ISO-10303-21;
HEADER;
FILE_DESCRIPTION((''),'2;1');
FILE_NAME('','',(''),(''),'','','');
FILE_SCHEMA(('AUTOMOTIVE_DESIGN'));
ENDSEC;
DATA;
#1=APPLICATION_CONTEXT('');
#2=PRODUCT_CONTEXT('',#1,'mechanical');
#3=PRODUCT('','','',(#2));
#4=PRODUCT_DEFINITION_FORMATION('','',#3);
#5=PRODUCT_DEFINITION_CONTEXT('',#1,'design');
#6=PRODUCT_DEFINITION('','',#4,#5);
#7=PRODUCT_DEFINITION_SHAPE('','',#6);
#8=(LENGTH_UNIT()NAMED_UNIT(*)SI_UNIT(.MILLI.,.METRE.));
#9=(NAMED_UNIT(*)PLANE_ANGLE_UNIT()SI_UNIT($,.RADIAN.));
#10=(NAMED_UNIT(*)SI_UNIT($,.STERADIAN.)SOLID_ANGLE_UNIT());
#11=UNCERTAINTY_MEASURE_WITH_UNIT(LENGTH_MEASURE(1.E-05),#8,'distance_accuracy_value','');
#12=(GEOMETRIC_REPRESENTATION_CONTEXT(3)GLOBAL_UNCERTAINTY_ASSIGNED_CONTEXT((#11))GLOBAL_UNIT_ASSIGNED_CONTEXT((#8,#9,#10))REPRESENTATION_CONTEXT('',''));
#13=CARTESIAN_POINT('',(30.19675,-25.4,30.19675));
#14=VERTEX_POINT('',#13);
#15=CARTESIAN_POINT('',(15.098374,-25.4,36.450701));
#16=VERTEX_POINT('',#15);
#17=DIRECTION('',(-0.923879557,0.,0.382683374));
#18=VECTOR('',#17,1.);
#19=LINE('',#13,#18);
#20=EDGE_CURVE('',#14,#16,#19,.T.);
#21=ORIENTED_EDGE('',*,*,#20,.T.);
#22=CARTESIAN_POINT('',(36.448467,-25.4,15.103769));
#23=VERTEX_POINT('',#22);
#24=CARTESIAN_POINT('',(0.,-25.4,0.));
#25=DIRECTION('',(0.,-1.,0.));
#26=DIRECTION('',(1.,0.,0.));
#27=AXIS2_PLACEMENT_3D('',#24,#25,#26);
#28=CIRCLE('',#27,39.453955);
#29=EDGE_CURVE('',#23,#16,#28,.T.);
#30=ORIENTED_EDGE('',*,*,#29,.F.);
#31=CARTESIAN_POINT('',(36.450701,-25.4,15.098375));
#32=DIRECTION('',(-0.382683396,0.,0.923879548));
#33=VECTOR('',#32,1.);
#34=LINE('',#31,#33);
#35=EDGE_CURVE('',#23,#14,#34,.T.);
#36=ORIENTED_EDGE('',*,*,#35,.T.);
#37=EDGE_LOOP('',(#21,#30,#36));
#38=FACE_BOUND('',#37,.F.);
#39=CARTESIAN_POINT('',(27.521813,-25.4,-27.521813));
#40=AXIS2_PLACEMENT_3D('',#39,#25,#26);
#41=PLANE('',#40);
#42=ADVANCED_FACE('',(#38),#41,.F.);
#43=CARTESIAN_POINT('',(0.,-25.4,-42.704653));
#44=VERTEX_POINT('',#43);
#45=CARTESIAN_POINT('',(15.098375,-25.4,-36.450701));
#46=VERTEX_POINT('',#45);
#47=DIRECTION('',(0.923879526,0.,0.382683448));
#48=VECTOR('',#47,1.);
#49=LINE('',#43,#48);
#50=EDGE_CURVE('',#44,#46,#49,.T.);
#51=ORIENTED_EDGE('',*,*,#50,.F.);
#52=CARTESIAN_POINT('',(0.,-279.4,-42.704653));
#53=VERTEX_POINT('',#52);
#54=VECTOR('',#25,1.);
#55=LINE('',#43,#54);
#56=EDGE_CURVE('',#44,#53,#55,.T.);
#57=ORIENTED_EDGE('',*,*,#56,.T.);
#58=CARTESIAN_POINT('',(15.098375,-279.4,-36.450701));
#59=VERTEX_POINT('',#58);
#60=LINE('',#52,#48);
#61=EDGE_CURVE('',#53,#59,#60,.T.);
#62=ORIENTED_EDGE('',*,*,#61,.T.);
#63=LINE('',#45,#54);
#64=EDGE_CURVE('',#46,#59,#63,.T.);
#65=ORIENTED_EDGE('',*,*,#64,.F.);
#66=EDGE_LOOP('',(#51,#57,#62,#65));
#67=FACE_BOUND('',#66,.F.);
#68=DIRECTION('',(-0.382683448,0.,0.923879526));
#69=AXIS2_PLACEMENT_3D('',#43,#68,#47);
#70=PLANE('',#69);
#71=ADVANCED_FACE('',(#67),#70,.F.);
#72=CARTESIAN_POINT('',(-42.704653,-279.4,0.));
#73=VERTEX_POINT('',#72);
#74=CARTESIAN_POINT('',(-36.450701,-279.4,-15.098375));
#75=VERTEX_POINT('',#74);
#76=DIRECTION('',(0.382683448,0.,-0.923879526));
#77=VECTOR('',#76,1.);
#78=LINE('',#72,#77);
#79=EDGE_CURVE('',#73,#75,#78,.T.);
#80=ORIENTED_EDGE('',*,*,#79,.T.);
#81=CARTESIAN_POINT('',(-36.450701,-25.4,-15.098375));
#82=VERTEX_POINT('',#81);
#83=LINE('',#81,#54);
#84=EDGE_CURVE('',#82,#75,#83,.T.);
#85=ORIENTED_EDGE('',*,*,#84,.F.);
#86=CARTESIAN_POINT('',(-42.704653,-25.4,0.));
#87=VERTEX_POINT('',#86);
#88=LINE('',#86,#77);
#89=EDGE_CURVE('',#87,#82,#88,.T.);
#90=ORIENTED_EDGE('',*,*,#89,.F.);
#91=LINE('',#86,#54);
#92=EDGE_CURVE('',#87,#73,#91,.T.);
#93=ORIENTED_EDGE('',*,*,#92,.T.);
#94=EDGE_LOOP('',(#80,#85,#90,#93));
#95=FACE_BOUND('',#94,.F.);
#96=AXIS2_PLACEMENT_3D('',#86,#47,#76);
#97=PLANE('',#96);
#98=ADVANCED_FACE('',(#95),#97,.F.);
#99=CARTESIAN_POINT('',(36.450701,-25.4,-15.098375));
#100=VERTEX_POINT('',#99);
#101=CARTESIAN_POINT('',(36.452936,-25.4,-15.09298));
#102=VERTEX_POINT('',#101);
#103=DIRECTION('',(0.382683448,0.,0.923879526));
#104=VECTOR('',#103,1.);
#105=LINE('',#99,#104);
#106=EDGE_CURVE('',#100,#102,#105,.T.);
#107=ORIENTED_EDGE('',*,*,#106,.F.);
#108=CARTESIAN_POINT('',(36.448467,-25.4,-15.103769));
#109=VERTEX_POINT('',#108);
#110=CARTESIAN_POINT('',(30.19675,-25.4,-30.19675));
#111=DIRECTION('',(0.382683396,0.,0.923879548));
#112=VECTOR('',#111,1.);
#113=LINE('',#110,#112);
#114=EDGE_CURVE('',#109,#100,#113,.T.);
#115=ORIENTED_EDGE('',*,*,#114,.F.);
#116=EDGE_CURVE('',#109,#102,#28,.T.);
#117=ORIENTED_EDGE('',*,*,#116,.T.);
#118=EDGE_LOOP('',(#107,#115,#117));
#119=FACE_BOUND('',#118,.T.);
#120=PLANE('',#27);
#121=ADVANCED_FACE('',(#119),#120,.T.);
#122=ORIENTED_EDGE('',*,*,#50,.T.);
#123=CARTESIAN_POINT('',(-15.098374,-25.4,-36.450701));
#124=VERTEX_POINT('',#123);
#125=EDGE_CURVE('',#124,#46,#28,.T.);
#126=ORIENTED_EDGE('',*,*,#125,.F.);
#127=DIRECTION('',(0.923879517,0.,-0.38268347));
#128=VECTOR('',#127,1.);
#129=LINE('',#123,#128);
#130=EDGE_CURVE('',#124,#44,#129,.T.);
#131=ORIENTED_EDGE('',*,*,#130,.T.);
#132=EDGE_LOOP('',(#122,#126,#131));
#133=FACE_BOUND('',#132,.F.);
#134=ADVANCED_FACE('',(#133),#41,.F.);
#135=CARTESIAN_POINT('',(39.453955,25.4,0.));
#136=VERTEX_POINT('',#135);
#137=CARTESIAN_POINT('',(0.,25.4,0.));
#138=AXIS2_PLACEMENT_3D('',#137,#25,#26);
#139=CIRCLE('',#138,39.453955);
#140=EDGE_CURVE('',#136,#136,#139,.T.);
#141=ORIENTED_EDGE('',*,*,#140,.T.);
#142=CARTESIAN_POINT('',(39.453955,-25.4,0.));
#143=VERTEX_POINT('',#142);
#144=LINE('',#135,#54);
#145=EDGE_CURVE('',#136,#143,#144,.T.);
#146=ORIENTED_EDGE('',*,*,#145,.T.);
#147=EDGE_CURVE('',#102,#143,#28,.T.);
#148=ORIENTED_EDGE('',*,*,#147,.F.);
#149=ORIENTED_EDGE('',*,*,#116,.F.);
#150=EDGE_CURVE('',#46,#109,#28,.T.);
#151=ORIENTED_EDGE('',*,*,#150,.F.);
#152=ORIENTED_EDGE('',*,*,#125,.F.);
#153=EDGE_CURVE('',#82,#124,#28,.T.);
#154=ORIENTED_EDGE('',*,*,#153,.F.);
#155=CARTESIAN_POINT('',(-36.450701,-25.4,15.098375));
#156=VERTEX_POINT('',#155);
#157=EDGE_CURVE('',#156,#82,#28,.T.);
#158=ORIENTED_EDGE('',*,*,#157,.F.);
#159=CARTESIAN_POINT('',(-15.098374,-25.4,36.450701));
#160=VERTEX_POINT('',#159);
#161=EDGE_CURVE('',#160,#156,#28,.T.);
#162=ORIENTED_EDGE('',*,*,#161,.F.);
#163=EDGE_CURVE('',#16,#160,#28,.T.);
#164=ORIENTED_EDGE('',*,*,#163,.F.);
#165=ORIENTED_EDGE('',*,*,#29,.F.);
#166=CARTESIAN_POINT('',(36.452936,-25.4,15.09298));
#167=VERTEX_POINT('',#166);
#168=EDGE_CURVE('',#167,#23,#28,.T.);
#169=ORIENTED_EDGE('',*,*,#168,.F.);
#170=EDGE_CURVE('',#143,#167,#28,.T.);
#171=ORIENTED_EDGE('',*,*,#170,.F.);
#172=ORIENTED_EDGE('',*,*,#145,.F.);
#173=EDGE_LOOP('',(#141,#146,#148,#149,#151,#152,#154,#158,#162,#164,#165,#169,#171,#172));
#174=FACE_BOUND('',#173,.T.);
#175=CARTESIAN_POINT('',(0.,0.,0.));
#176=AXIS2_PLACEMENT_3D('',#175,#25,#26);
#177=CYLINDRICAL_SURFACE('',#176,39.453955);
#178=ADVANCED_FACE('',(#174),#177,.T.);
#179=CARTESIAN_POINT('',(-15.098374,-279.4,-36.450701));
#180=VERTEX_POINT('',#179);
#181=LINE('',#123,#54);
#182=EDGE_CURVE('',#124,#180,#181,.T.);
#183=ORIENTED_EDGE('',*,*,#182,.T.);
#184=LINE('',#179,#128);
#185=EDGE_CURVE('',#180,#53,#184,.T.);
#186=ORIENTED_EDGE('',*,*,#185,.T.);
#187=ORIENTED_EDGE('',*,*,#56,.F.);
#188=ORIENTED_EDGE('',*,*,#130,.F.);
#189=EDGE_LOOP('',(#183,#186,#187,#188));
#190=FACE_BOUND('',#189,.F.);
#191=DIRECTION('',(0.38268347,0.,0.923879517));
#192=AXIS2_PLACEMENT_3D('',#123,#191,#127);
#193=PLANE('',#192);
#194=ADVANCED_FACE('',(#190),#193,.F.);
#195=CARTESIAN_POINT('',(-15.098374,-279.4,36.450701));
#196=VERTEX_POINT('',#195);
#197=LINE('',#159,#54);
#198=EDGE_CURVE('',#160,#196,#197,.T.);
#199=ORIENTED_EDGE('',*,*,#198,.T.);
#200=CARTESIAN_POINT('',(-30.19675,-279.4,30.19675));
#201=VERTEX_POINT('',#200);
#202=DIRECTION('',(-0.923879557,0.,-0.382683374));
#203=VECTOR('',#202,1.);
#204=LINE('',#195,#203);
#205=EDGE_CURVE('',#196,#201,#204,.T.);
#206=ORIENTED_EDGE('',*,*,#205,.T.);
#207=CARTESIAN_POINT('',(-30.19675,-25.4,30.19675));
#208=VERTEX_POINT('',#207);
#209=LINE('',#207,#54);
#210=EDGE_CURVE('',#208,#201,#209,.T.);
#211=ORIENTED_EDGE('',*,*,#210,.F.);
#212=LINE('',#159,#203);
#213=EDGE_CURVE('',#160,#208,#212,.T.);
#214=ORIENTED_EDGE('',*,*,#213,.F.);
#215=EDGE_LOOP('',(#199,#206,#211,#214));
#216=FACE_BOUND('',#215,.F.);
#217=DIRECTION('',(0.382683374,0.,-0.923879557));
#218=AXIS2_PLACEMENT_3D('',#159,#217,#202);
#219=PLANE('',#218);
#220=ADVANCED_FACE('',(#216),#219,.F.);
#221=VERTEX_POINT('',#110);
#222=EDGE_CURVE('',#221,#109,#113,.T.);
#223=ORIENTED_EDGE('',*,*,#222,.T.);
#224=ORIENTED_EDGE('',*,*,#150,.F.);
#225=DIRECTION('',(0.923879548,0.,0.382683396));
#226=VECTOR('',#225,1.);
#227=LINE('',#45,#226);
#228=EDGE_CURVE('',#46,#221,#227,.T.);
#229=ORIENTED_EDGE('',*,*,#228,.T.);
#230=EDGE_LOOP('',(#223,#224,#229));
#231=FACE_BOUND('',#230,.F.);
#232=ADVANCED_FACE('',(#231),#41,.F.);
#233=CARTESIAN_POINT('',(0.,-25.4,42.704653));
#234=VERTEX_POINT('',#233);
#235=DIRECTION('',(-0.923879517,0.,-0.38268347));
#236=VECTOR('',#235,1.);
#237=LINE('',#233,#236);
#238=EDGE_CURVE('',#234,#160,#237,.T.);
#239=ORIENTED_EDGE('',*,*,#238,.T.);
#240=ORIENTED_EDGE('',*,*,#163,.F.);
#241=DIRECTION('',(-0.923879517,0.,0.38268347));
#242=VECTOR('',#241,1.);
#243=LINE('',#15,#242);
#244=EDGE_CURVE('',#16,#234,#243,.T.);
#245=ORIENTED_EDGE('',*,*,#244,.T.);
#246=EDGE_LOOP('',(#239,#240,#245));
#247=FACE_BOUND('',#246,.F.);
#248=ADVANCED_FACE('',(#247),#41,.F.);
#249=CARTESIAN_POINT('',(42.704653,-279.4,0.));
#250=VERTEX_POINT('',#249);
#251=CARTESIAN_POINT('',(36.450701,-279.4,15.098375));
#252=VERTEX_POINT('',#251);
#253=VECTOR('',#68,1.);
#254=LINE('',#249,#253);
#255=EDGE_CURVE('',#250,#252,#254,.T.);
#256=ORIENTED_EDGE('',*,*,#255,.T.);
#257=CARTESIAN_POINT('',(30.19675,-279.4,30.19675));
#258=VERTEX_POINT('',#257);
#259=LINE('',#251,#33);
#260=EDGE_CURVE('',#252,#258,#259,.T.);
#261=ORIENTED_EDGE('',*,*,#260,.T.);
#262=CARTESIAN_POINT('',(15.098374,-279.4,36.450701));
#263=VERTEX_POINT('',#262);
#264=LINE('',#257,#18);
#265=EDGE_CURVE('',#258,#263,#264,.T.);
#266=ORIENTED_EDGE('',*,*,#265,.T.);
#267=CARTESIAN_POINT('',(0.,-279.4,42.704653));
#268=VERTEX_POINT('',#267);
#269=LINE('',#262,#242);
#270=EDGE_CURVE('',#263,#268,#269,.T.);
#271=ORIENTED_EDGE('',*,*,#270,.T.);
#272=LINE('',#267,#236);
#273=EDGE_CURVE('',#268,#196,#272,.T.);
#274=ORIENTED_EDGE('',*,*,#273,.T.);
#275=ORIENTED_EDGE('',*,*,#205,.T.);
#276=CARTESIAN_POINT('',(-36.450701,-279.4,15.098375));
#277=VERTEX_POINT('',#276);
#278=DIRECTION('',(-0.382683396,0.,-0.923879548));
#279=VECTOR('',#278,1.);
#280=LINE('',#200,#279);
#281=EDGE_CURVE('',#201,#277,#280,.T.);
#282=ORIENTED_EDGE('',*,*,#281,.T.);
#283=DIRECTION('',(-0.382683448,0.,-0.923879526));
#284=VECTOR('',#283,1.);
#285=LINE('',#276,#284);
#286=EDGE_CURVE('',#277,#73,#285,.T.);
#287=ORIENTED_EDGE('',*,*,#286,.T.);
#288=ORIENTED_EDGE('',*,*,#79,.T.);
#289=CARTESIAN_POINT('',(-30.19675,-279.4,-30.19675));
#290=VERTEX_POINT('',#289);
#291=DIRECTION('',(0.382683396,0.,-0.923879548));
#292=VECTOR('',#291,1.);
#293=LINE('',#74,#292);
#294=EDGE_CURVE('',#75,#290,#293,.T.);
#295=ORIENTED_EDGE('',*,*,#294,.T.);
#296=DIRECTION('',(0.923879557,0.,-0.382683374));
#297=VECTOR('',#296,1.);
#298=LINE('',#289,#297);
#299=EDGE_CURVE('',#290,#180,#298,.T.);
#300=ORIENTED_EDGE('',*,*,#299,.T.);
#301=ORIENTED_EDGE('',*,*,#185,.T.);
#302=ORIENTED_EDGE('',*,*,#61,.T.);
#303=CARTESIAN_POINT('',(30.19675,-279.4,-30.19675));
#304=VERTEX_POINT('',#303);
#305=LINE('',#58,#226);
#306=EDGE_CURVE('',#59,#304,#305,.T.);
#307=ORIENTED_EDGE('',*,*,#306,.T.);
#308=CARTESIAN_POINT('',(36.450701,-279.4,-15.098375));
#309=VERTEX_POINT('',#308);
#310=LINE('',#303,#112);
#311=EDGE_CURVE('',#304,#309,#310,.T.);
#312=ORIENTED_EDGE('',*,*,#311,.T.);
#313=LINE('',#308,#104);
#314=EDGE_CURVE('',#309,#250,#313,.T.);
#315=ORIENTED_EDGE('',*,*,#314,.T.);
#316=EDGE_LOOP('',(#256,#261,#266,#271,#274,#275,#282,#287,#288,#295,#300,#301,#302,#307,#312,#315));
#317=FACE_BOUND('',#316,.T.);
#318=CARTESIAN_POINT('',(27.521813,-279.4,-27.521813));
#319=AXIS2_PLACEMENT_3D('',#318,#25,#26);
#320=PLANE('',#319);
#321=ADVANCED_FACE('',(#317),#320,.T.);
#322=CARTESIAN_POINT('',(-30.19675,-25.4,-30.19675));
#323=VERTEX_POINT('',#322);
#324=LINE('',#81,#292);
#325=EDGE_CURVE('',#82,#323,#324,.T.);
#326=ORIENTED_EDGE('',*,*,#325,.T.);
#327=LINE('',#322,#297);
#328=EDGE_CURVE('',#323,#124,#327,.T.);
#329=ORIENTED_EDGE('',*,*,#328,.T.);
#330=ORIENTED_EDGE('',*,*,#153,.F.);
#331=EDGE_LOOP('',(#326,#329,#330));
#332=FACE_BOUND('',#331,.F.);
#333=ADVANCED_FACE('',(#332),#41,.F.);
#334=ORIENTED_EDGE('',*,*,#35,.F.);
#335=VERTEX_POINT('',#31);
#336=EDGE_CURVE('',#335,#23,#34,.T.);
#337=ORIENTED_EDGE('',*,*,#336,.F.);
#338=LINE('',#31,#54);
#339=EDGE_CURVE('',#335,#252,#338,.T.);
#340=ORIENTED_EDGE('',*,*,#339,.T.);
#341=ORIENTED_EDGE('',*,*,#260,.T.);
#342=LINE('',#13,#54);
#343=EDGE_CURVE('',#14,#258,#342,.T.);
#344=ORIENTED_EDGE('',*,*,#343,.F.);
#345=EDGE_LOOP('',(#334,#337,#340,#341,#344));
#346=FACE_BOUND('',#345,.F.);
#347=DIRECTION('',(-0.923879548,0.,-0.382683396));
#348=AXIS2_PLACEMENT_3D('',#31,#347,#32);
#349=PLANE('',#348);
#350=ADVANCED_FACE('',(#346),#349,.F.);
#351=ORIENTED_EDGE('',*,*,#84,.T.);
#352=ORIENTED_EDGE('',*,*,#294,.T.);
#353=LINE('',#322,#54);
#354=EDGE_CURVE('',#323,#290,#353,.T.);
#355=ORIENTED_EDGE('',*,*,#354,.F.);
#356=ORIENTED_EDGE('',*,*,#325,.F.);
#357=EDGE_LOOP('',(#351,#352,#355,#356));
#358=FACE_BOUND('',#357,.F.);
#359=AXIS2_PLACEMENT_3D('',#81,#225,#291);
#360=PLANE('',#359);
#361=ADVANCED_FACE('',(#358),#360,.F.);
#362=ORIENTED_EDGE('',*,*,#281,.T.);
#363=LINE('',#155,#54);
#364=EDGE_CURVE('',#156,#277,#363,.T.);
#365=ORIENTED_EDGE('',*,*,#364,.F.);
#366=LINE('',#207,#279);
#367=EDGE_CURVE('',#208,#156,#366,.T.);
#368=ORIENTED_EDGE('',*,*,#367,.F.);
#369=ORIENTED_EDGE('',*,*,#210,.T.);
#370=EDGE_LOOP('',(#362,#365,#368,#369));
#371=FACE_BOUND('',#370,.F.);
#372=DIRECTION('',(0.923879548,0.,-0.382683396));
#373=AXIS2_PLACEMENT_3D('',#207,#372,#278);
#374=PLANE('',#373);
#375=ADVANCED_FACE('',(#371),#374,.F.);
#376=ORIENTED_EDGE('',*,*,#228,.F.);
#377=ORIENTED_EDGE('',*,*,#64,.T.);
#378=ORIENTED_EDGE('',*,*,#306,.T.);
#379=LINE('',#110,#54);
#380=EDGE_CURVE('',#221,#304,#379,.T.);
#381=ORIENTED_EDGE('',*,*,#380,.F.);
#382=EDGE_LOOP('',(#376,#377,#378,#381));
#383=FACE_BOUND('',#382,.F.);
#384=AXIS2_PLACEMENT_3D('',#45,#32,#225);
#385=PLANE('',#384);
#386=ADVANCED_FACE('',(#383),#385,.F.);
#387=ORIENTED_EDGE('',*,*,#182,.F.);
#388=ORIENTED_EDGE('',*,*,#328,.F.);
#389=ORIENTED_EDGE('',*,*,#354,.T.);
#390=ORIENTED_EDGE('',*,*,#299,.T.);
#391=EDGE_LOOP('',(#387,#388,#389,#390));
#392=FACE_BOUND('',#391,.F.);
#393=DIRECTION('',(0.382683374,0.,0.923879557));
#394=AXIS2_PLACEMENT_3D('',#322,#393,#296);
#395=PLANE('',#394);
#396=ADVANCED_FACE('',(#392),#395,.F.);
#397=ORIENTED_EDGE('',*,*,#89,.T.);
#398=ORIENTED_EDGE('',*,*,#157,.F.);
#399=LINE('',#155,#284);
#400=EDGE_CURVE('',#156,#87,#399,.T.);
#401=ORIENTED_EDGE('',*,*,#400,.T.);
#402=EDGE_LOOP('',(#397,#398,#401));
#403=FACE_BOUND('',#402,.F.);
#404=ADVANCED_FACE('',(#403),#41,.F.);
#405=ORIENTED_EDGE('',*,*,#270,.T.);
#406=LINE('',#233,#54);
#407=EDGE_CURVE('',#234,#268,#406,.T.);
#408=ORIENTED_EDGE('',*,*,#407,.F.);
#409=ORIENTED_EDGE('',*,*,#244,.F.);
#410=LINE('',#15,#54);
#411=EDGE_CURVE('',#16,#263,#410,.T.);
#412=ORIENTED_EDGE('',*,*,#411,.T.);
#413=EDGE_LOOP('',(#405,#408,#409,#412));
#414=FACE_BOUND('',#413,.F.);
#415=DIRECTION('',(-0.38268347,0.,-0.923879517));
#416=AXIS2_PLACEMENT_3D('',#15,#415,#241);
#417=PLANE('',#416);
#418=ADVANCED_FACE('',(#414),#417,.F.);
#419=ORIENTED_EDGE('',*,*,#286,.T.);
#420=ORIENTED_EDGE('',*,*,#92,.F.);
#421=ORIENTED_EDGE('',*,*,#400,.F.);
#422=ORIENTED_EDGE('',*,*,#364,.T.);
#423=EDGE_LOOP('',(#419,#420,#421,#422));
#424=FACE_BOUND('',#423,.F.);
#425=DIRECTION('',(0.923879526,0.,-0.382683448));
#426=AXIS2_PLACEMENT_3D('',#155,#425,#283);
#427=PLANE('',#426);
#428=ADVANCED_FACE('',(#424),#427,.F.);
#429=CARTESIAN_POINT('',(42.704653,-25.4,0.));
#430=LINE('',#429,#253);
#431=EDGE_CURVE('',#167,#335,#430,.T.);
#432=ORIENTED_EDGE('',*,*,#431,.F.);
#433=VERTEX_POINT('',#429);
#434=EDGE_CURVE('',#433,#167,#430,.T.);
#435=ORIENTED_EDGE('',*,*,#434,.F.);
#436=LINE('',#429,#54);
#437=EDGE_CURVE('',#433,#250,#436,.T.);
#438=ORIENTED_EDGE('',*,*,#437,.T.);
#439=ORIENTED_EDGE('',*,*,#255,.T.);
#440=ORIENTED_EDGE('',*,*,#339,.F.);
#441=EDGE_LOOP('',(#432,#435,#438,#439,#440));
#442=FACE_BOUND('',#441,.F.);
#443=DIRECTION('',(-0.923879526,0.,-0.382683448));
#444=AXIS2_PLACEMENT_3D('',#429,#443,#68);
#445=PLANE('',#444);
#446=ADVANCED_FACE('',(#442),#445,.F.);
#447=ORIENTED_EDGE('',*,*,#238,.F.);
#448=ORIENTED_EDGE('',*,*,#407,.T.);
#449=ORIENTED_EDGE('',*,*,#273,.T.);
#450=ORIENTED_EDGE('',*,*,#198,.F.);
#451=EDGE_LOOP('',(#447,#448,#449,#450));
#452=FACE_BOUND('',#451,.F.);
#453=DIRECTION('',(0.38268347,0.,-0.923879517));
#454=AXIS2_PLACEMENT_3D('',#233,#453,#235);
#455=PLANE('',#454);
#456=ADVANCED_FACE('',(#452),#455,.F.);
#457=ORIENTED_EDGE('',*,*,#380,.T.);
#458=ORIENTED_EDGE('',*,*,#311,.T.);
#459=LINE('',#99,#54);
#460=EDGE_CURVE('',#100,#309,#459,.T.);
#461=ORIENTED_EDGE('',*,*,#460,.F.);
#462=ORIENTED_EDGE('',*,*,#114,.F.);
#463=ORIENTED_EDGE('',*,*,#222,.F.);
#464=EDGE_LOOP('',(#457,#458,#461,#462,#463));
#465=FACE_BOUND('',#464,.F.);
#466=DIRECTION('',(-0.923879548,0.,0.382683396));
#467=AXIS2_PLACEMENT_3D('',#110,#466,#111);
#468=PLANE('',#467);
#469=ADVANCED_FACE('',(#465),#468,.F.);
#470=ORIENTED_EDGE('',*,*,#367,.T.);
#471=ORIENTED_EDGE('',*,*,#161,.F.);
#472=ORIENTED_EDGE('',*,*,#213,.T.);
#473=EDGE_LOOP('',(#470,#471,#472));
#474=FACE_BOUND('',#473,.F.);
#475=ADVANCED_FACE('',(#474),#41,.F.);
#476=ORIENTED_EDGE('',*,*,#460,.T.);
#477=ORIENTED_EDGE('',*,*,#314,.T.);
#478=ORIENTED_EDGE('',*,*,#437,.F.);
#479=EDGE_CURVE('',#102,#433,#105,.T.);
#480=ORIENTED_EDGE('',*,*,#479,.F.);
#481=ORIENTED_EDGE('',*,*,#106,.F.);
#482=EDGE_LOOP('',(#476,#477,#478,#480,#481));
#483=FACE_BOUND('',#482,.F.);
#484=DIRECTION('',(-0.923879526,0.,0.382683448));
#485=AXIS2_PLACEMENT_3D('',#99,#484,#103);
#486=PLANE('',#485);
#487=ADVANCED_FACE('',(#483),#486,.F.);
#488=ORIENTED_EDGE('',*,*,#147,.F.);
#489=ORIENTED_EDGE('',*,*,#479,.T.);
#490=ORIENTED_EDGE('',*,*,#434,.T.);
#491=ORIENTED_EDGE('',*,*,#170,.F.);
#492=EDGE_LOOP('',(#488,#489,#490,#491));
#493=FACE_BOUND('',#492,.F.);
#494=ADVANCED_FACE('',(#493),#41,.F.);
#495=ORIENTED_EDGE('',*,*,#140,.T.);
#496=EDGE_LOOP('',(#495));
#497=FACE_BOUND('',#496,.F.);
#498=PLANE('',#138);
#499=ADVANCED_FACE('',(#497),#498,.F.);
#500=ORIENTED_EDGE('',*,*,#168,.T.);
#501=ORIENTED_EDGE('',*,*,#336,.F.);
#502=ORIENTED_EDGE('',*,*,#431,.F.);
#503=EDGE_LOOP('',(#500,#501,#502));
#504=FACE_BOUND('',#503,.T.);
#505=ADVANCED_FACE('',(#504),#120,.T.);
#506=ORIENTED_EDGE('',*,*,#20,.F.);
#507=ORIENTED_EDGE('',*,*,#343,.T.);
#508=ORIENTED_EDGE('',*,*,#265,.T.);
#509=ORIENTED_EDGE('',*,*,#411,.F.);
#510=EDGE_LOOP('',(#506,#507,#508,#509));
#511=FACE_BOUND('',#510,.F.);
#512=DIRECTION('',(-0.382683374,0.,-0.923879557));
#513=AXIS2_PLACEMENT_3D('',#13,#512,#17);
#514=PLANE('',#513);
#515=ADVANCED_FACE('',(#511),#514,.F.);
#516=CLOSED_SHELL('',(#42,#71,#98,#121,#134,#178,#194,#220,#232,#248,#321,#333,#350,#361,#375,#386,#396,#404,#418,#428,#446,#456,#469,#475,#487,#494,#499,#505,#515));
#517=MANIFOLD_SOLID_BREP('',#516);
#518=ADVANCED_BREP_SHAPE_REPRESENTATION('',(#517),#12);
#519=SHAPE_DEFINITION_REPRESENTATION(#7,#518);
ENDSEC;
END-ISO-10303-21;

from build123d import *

# Parameters (mm, degrees)
F0_R     = 39.453955
F1_DEPTH = 25.4
F3_DEPTH = 254


with BuildPart() as f1:
    # F0 (on Front) → F1 (new body, symmetric)
    with BuildSketch(Plane.XZ):
        Circle(F0_R)
    extrude(amount=F1_DEPTH, both=True)

    # F2 (on face) → F3 (join)
    with BuildSketch(Plane.XZ.offset(25.4)):
        with BuildLine():
            Line((15.098375, -36.450701), (30.19675, -30.19675))
            Line((30.19675, -30.19675), (36.450701, -15.098375))
            ThreePointArc((36.450701, -15.098375), (27.898159, -27.898159), (15.098375, -36.450701))
        make_face()
        with BuildLine():
            Line((0, -42.704653), (15.098375, -36.450701))
            ThreePointArc((15.098375, -36.450701), (0, -39.453955), (-15.098374, -36.450701))
            Line((-15.098374, -36.450701), (0, -42.704653))
        make_face()
        with BuildLine():
            Line((-30.19675, -30.19675), (-15.098374, -36.450701))
            ThreePointArc((-15.098374, -36.450701), (-27.898159, -27.898159), (-36.450701, -15.098375))
            Line((-36.450701, -15.098375), (-30.19675, -30.19675))
        make_face()
        with BuildLine():
            Line((-42.704653, 0), (-36.450701, -15.098375))
            ThreePointArc((-36.450701, -15.098375), (-39.453955, 0), (-36.450701, 15.098375))
            Line((-36.450701, 15.098375), (-42.704653, 0))
        make_face()
        with BuildLine():
            ThreePointArc((-15.098374, 36.450701), (0, 39.453955), (15.098374, 36.450701))
            Line((15.098374, 36.450701), (0, 42.704653))
            Line((0, 42.704653), (-15.098374, 36.450701))
        make_face()
        with BuildLine():
            ThreePointArc((15.098374, 36.450701), (27.898158, 27.898159), (36.450701, 15.098375))
            Line((36.450701, 15.098375), (30.19675, 30.19675))
            Line((30.19675, 30.19675), (15.098374, 36.450701))
        make_face()
        with BuildLine():
            ThreePointArc((39.453955, 0), (38.695858, -7.697085), (36.450701, -15.098375))
            Line((36.450701, -15.098375), (42.704653, 0))
            Line((42.704653, 0), (36.450701, 15.098375))
            ThreePointArc((36.450701, 15.098375), (38.695858, 7.697085), (39.453955, 0))
        make_face()
        with BuildLine():
            ThreePointArc((-15.098374, -36.450701), (0, -39.453955), (15.098375, -36.450701))
            ThreePointArc((15.098375, -36.450701), (27.898159, -27.898159), (36.450701, -15.098375))
            ThreePointArc((36.450701, -15.098375), (38.695858, -7.697085), (39.453955, 0))
            ThreePointArc((39.453955, 0), (38.695858, 7.697085), (36.450701, 15.098375))
            ThreePointArc((36.450701, 15.098375), (27.898158, 27.898159), (15.098374, 36.450701))
            ThreePointArc((15.098374, 36.450701), (0, 39.453955), (-15.098374, 36.450701))
            ThreePointArc((-15.098374, 36.450701), (-27.898159, 27.898159), (-36.450701, 15.098375))
            ThreePointArc((-36.450701, 15.098375), (-39.453955, 0), (-36.450701, -15.098375))
            ThreePointArc((-36.450701, -15.098375), (-27.898159, -27.898159), (-15.098374, -36.450701))
        make_face()
        with BuildLine():
            Line((-30.19675, 30.19675), (-36.450701, 15.098375))
            ThreePointArc((-36.450701, 15.098375), (-27.898159, 27.898159), (-15.098374, 36.450701))
            Line((-15.098374, 36.450701), (-30.19675, 30.19675))
        make_face()
    extrude(amount=F3_DEPTH)


solid = f1.part
